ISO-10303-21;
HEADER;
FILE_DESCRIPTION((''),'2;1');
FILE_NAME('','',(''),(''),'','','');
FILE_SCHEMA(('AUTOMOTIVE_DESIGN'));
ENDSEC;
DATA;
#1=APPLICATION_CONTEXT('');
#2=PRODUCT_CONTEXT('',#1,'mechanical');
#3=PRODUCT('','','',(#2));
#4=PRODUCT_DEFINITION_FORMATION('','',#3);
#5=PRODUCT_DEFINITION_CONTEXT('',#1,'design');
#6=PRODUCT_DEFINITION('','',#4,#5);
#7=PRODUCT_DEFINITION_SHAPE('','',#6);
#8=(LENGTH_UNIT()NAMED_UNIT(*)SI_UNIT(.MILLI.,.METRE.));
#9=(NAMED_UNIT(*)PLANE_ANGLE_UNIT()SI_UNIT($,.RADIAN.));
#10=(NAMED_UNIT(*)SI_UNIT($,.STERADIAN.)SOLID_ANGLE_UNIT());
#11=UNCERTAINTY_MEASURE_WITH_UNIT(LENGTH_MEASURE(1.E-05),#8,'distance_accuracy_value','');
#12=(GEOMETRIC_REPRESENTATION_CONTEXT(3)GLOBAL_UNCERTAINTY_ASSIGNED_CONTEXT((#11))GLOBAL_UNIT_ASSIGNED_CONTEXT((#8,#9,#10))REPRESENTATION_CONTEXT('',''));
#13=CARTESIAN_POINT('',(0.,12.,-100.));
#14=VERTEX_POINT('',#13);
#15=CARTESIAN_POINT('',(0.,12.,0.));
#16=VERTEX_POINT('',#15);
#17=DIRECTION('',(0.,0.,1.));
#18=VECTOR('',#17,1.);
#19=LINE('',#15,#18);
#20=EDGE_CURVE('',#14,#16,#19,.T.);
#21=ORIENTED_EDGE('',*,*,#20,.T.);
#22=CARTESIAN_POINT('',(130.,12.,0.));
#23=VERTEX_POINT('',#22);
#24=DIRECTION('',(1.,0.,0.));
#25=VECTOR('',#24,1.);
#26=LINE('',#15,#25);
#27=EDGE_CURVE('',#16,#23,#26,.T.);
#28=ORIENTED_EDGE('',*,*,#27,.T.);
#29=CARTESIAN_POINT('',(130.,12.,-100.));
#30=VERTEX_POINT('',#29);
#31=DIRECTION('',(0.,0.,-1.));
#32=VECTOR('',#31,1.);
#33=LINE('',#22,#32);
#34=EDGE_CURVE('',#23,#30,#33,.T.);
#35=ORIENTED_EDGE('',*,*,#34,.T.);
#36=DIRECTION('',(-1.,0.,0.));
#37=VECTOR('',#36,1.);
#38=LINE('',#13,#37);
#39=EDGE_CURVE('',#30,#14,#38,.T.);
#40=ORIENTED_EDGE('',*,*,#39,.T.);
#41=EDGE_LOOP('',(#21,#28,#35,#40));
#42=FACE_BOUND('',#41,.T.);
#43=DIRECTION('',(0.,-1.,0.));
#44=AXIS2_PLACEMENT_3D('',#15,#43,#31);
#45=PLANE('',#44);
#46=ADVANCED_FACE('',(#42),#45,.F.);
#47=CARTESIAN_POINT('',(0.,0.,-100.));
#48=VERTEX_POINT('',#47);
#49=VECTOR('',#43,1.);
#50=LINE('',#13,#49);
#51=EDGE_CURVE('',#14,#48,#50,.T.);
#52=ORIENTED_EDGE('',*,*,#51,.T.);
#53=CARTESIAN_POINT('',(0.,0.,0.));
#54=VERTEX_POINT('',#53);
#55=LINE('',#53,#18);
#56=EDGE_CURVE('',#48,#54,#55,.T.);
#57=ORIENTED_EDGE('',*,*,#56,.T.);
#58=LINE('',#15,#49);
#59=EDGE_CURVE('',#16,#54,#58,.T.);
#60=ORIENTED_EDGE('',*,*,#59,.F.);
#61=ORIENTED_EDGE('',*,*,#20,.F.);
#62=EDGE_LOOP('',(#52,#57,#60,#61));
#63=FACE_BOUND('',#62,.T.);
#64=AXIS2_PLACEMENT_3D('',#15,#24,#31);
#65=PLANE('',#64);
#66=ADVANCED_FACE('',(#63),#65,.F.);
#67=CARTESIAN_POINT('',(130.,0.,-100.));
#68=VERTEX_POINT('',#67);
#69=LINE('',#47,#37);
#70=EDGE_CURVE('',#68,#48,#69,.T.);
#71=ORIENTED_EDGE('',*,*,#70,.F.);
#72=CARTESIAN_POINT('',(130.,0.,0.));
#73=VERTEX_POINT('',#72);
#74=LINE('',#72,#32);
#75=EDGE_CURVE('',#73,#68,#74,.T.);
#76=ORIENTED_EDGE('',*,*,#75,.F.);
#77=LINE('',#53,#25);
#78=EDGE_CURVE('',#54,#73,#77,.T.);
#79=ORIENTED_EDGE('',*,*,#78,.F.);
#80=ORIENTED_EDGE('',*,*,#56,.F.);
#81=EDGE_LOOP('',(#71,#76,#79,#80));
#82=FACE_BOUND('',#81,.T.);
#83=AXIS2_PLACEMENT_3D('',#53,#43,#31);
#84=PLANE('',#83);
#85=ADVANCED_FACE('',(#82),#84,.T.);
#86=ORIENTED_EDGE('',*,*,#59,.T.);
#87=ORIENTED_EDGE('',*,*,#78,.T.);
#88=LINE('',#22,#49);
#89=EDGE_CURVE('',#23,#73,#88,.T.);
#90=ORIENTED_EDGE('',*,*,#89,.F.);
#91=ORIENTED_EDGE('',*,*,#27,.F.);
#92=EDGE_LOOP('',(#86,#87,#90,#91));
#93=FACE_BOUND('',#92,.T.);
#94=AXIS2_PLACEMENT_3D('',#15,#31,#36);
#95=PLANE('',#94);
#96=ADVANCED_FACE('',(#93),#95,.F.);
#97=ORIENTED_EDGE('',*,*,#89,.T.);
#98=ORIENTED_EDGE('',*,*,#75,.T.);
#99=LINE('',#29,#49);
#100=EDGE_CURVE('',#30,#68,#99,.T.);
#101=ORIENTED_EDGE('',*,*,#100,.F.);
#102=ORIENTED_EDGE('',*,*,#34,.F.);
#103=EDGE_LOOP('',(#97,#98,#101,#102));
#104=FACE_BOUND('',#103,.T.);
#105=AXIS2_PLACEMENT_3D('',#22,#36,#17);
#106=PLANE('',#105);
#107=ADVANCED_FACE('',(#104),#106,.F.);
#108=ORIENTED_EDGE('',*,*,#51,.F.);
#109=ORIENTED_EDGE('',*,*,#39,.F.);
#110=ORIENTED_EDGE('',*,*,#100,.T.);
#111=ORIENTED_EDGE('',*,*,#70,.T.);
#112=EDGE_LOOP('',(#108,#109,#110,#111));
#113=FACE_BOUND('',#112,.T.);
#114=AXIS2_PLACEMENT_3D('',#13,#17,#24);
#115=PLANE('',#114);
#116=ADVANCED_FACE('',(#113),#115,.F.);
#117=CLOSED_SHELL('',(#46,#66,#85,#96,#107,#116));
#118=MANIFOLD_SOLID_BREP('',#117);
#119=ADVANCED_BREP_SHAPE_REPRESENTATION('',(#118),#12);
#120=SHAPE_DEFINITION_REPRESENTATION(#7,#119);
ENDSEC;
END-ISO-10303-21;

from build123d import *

# Parameters (mm, degrees)
SKETCH1_W           = 130
SKETCH1_H           = 100
BOSS_EXTRUDE1_DEPTH = 12


with BuildPart() as part:
    # Sketch1 → Boss-Extrude1 (new body)
    with BuildSketch(Plane(origin=(0, 0, 0), x_dir=(1, 0, 0), z_dir=(0, 1, 0))):
        with Locations((65, 50)):
            Rectangle(SKETCH1_W, SKETCH1_H)
    extrude(amount=BOSS_EXTRUDE1_DEPTH)


solid = part.part
